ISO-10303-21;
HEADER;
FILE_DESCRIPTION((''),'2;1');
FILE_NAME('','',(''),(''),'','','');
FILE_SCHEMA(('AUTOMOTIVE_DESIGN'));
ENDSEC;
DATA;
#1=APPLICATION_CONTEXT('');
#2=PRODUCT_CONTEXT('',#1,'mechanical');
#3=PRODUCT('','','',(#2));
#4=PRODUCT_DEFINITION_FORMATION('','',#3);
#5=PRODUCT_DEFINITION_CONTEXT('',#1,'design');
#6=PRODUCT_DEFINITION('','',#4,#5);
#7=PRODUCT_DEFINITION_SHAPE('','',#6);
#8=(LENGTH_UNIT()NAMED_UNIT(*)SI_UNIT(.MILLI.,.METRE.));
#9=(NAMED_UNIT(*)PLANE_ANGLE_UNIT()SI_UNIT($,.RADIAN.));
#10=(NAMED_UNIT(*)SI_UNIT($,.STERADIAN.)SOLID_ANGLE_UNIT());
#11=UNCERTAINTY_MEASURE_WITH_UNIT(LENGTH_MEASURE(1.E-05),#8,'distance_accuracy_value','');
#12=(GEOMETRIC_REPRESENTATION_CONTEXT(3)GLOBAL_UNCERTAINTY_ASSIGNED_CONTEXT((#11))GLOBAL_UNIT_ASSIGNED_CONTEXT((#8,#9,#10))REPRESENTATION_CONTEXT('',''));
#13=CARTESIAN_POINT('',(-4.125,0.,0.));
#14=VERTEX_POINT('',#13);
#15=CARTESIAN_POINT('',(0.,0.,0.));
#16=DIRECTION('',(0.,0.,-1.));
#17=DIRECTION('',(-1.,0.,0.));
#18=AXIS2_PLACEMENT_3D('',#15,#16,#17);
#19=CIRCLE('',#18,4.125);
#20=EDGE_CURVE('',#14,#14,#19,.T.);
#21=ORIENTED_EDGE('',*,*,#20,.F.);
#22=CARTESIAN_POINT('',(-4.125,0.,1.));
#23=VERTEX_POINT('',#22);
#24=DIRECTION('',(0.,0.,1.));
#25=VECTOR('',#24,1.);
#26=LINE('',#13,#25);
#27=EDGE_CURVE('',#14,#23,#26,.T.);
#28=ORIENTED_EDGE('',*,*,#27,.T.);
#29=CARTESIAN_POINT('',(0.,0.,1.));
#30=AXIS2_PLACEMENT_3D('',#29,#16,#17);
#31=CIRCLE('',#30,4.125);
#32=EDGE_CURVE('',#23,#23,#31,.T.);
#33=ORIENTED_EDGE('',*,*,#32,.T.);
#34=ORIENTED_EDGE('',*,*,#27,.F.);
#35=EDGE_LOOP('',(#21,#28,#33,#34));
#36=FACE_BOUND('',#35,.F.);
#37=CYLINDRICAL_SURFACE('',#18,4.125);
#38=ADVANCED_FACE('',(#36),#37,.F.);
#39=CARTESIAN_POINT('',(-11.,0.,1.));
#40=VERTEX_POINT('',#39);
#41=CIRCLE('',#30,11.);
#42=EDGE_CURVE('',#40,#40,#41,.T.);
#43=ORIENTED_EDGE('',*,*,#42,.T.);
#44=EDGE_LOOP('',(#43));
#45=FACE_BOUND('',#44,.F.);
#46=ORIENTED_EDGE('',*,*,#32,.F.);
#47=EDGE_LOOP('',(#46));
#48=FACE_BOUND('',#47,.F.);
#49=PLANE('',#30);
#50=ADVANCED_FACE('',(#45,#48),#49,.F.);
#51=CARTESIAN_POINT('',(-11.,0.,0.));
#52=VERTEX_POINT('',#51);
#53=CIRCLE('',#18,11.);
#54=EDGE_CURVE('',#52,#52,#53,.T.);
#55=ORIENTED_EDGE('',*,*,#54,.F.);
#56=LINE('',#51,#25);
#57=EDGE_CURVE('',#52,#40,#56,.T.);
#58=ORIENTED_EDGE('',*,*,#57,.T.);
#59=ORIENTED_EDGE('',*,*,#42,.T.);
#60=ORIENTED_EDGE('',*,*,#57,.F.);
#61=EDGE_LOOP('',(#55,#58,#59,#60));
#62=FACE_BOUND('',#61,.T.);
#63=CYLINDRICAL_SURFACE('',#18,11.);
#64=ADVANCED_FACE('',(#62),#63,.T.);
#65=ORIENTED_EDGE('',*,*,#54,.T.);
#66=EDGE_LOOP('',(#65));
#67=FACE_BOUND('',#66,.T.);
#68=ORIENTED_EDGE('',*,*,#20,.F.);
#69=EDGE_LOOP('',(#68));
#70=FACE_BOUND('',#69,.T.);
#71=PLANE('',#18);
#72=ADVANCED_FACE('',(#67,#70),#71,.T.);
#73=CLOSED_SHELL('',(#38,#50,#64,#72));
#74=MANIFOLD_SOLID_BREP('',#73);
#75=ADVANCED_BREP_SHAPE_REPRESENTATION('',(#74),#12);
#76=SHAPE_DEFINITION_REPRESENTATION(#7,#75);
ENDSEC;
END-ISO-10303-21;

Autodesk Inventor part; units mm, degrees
ref_plane "YZ Plane" through (0, 0, 0) normal (1, 0, 0) x (0, 1, 0)
ref_plane "XZ Plane" through (0, 0, 0) normal (0, 1, 0) x (-1, 0, 0)
ref_plane "XY Plane" through (0, 0, 0) normal (0, 0, 1) x (1, 0, 0)
sketch "スケッチ1" plane through (0, 0, 0) normal (0, 0, 1) x (1, 0, 0)
  circle A0 centre (0, 0) radius 3.125
  circle A1 centre (0, 0) radius 6
  dimension "d0" = 6.25
  dimension "d1" = 12
extrude "押し出し1" add sketch "スケッチ1" along normal blind 1
sketch "스케치2" plane through (0, 0, 0) normal (0, 0, -1) x (-1, 0, 0)
  circle A0 centre (0, 0) radius 6 projected
  circle A1 centre (0, 0) radius 3.125 projected
  circle A2 centre (0, 0) radius 4.125
  dimension "d4" = 8.25
extrude "돌출2" cut sketch "스케치2" against normal through all contours A2
sketch "스케치3" plane through (0, 0, 0) normal (0, 0, -1) x (-1, 0, 0)
  circle A0 centre (0, 0) radius 4.125 projected
  circle A1 centre (0, 0) radius 6 projected
  circle A2 centre (0, 0) radius 11
  dimension "d7" = 22
extrude "돌출3" add sketch "스케치3" against normal blind 1 contours A2
properties part number "TT-0822-10" material "PET プラスチック"
